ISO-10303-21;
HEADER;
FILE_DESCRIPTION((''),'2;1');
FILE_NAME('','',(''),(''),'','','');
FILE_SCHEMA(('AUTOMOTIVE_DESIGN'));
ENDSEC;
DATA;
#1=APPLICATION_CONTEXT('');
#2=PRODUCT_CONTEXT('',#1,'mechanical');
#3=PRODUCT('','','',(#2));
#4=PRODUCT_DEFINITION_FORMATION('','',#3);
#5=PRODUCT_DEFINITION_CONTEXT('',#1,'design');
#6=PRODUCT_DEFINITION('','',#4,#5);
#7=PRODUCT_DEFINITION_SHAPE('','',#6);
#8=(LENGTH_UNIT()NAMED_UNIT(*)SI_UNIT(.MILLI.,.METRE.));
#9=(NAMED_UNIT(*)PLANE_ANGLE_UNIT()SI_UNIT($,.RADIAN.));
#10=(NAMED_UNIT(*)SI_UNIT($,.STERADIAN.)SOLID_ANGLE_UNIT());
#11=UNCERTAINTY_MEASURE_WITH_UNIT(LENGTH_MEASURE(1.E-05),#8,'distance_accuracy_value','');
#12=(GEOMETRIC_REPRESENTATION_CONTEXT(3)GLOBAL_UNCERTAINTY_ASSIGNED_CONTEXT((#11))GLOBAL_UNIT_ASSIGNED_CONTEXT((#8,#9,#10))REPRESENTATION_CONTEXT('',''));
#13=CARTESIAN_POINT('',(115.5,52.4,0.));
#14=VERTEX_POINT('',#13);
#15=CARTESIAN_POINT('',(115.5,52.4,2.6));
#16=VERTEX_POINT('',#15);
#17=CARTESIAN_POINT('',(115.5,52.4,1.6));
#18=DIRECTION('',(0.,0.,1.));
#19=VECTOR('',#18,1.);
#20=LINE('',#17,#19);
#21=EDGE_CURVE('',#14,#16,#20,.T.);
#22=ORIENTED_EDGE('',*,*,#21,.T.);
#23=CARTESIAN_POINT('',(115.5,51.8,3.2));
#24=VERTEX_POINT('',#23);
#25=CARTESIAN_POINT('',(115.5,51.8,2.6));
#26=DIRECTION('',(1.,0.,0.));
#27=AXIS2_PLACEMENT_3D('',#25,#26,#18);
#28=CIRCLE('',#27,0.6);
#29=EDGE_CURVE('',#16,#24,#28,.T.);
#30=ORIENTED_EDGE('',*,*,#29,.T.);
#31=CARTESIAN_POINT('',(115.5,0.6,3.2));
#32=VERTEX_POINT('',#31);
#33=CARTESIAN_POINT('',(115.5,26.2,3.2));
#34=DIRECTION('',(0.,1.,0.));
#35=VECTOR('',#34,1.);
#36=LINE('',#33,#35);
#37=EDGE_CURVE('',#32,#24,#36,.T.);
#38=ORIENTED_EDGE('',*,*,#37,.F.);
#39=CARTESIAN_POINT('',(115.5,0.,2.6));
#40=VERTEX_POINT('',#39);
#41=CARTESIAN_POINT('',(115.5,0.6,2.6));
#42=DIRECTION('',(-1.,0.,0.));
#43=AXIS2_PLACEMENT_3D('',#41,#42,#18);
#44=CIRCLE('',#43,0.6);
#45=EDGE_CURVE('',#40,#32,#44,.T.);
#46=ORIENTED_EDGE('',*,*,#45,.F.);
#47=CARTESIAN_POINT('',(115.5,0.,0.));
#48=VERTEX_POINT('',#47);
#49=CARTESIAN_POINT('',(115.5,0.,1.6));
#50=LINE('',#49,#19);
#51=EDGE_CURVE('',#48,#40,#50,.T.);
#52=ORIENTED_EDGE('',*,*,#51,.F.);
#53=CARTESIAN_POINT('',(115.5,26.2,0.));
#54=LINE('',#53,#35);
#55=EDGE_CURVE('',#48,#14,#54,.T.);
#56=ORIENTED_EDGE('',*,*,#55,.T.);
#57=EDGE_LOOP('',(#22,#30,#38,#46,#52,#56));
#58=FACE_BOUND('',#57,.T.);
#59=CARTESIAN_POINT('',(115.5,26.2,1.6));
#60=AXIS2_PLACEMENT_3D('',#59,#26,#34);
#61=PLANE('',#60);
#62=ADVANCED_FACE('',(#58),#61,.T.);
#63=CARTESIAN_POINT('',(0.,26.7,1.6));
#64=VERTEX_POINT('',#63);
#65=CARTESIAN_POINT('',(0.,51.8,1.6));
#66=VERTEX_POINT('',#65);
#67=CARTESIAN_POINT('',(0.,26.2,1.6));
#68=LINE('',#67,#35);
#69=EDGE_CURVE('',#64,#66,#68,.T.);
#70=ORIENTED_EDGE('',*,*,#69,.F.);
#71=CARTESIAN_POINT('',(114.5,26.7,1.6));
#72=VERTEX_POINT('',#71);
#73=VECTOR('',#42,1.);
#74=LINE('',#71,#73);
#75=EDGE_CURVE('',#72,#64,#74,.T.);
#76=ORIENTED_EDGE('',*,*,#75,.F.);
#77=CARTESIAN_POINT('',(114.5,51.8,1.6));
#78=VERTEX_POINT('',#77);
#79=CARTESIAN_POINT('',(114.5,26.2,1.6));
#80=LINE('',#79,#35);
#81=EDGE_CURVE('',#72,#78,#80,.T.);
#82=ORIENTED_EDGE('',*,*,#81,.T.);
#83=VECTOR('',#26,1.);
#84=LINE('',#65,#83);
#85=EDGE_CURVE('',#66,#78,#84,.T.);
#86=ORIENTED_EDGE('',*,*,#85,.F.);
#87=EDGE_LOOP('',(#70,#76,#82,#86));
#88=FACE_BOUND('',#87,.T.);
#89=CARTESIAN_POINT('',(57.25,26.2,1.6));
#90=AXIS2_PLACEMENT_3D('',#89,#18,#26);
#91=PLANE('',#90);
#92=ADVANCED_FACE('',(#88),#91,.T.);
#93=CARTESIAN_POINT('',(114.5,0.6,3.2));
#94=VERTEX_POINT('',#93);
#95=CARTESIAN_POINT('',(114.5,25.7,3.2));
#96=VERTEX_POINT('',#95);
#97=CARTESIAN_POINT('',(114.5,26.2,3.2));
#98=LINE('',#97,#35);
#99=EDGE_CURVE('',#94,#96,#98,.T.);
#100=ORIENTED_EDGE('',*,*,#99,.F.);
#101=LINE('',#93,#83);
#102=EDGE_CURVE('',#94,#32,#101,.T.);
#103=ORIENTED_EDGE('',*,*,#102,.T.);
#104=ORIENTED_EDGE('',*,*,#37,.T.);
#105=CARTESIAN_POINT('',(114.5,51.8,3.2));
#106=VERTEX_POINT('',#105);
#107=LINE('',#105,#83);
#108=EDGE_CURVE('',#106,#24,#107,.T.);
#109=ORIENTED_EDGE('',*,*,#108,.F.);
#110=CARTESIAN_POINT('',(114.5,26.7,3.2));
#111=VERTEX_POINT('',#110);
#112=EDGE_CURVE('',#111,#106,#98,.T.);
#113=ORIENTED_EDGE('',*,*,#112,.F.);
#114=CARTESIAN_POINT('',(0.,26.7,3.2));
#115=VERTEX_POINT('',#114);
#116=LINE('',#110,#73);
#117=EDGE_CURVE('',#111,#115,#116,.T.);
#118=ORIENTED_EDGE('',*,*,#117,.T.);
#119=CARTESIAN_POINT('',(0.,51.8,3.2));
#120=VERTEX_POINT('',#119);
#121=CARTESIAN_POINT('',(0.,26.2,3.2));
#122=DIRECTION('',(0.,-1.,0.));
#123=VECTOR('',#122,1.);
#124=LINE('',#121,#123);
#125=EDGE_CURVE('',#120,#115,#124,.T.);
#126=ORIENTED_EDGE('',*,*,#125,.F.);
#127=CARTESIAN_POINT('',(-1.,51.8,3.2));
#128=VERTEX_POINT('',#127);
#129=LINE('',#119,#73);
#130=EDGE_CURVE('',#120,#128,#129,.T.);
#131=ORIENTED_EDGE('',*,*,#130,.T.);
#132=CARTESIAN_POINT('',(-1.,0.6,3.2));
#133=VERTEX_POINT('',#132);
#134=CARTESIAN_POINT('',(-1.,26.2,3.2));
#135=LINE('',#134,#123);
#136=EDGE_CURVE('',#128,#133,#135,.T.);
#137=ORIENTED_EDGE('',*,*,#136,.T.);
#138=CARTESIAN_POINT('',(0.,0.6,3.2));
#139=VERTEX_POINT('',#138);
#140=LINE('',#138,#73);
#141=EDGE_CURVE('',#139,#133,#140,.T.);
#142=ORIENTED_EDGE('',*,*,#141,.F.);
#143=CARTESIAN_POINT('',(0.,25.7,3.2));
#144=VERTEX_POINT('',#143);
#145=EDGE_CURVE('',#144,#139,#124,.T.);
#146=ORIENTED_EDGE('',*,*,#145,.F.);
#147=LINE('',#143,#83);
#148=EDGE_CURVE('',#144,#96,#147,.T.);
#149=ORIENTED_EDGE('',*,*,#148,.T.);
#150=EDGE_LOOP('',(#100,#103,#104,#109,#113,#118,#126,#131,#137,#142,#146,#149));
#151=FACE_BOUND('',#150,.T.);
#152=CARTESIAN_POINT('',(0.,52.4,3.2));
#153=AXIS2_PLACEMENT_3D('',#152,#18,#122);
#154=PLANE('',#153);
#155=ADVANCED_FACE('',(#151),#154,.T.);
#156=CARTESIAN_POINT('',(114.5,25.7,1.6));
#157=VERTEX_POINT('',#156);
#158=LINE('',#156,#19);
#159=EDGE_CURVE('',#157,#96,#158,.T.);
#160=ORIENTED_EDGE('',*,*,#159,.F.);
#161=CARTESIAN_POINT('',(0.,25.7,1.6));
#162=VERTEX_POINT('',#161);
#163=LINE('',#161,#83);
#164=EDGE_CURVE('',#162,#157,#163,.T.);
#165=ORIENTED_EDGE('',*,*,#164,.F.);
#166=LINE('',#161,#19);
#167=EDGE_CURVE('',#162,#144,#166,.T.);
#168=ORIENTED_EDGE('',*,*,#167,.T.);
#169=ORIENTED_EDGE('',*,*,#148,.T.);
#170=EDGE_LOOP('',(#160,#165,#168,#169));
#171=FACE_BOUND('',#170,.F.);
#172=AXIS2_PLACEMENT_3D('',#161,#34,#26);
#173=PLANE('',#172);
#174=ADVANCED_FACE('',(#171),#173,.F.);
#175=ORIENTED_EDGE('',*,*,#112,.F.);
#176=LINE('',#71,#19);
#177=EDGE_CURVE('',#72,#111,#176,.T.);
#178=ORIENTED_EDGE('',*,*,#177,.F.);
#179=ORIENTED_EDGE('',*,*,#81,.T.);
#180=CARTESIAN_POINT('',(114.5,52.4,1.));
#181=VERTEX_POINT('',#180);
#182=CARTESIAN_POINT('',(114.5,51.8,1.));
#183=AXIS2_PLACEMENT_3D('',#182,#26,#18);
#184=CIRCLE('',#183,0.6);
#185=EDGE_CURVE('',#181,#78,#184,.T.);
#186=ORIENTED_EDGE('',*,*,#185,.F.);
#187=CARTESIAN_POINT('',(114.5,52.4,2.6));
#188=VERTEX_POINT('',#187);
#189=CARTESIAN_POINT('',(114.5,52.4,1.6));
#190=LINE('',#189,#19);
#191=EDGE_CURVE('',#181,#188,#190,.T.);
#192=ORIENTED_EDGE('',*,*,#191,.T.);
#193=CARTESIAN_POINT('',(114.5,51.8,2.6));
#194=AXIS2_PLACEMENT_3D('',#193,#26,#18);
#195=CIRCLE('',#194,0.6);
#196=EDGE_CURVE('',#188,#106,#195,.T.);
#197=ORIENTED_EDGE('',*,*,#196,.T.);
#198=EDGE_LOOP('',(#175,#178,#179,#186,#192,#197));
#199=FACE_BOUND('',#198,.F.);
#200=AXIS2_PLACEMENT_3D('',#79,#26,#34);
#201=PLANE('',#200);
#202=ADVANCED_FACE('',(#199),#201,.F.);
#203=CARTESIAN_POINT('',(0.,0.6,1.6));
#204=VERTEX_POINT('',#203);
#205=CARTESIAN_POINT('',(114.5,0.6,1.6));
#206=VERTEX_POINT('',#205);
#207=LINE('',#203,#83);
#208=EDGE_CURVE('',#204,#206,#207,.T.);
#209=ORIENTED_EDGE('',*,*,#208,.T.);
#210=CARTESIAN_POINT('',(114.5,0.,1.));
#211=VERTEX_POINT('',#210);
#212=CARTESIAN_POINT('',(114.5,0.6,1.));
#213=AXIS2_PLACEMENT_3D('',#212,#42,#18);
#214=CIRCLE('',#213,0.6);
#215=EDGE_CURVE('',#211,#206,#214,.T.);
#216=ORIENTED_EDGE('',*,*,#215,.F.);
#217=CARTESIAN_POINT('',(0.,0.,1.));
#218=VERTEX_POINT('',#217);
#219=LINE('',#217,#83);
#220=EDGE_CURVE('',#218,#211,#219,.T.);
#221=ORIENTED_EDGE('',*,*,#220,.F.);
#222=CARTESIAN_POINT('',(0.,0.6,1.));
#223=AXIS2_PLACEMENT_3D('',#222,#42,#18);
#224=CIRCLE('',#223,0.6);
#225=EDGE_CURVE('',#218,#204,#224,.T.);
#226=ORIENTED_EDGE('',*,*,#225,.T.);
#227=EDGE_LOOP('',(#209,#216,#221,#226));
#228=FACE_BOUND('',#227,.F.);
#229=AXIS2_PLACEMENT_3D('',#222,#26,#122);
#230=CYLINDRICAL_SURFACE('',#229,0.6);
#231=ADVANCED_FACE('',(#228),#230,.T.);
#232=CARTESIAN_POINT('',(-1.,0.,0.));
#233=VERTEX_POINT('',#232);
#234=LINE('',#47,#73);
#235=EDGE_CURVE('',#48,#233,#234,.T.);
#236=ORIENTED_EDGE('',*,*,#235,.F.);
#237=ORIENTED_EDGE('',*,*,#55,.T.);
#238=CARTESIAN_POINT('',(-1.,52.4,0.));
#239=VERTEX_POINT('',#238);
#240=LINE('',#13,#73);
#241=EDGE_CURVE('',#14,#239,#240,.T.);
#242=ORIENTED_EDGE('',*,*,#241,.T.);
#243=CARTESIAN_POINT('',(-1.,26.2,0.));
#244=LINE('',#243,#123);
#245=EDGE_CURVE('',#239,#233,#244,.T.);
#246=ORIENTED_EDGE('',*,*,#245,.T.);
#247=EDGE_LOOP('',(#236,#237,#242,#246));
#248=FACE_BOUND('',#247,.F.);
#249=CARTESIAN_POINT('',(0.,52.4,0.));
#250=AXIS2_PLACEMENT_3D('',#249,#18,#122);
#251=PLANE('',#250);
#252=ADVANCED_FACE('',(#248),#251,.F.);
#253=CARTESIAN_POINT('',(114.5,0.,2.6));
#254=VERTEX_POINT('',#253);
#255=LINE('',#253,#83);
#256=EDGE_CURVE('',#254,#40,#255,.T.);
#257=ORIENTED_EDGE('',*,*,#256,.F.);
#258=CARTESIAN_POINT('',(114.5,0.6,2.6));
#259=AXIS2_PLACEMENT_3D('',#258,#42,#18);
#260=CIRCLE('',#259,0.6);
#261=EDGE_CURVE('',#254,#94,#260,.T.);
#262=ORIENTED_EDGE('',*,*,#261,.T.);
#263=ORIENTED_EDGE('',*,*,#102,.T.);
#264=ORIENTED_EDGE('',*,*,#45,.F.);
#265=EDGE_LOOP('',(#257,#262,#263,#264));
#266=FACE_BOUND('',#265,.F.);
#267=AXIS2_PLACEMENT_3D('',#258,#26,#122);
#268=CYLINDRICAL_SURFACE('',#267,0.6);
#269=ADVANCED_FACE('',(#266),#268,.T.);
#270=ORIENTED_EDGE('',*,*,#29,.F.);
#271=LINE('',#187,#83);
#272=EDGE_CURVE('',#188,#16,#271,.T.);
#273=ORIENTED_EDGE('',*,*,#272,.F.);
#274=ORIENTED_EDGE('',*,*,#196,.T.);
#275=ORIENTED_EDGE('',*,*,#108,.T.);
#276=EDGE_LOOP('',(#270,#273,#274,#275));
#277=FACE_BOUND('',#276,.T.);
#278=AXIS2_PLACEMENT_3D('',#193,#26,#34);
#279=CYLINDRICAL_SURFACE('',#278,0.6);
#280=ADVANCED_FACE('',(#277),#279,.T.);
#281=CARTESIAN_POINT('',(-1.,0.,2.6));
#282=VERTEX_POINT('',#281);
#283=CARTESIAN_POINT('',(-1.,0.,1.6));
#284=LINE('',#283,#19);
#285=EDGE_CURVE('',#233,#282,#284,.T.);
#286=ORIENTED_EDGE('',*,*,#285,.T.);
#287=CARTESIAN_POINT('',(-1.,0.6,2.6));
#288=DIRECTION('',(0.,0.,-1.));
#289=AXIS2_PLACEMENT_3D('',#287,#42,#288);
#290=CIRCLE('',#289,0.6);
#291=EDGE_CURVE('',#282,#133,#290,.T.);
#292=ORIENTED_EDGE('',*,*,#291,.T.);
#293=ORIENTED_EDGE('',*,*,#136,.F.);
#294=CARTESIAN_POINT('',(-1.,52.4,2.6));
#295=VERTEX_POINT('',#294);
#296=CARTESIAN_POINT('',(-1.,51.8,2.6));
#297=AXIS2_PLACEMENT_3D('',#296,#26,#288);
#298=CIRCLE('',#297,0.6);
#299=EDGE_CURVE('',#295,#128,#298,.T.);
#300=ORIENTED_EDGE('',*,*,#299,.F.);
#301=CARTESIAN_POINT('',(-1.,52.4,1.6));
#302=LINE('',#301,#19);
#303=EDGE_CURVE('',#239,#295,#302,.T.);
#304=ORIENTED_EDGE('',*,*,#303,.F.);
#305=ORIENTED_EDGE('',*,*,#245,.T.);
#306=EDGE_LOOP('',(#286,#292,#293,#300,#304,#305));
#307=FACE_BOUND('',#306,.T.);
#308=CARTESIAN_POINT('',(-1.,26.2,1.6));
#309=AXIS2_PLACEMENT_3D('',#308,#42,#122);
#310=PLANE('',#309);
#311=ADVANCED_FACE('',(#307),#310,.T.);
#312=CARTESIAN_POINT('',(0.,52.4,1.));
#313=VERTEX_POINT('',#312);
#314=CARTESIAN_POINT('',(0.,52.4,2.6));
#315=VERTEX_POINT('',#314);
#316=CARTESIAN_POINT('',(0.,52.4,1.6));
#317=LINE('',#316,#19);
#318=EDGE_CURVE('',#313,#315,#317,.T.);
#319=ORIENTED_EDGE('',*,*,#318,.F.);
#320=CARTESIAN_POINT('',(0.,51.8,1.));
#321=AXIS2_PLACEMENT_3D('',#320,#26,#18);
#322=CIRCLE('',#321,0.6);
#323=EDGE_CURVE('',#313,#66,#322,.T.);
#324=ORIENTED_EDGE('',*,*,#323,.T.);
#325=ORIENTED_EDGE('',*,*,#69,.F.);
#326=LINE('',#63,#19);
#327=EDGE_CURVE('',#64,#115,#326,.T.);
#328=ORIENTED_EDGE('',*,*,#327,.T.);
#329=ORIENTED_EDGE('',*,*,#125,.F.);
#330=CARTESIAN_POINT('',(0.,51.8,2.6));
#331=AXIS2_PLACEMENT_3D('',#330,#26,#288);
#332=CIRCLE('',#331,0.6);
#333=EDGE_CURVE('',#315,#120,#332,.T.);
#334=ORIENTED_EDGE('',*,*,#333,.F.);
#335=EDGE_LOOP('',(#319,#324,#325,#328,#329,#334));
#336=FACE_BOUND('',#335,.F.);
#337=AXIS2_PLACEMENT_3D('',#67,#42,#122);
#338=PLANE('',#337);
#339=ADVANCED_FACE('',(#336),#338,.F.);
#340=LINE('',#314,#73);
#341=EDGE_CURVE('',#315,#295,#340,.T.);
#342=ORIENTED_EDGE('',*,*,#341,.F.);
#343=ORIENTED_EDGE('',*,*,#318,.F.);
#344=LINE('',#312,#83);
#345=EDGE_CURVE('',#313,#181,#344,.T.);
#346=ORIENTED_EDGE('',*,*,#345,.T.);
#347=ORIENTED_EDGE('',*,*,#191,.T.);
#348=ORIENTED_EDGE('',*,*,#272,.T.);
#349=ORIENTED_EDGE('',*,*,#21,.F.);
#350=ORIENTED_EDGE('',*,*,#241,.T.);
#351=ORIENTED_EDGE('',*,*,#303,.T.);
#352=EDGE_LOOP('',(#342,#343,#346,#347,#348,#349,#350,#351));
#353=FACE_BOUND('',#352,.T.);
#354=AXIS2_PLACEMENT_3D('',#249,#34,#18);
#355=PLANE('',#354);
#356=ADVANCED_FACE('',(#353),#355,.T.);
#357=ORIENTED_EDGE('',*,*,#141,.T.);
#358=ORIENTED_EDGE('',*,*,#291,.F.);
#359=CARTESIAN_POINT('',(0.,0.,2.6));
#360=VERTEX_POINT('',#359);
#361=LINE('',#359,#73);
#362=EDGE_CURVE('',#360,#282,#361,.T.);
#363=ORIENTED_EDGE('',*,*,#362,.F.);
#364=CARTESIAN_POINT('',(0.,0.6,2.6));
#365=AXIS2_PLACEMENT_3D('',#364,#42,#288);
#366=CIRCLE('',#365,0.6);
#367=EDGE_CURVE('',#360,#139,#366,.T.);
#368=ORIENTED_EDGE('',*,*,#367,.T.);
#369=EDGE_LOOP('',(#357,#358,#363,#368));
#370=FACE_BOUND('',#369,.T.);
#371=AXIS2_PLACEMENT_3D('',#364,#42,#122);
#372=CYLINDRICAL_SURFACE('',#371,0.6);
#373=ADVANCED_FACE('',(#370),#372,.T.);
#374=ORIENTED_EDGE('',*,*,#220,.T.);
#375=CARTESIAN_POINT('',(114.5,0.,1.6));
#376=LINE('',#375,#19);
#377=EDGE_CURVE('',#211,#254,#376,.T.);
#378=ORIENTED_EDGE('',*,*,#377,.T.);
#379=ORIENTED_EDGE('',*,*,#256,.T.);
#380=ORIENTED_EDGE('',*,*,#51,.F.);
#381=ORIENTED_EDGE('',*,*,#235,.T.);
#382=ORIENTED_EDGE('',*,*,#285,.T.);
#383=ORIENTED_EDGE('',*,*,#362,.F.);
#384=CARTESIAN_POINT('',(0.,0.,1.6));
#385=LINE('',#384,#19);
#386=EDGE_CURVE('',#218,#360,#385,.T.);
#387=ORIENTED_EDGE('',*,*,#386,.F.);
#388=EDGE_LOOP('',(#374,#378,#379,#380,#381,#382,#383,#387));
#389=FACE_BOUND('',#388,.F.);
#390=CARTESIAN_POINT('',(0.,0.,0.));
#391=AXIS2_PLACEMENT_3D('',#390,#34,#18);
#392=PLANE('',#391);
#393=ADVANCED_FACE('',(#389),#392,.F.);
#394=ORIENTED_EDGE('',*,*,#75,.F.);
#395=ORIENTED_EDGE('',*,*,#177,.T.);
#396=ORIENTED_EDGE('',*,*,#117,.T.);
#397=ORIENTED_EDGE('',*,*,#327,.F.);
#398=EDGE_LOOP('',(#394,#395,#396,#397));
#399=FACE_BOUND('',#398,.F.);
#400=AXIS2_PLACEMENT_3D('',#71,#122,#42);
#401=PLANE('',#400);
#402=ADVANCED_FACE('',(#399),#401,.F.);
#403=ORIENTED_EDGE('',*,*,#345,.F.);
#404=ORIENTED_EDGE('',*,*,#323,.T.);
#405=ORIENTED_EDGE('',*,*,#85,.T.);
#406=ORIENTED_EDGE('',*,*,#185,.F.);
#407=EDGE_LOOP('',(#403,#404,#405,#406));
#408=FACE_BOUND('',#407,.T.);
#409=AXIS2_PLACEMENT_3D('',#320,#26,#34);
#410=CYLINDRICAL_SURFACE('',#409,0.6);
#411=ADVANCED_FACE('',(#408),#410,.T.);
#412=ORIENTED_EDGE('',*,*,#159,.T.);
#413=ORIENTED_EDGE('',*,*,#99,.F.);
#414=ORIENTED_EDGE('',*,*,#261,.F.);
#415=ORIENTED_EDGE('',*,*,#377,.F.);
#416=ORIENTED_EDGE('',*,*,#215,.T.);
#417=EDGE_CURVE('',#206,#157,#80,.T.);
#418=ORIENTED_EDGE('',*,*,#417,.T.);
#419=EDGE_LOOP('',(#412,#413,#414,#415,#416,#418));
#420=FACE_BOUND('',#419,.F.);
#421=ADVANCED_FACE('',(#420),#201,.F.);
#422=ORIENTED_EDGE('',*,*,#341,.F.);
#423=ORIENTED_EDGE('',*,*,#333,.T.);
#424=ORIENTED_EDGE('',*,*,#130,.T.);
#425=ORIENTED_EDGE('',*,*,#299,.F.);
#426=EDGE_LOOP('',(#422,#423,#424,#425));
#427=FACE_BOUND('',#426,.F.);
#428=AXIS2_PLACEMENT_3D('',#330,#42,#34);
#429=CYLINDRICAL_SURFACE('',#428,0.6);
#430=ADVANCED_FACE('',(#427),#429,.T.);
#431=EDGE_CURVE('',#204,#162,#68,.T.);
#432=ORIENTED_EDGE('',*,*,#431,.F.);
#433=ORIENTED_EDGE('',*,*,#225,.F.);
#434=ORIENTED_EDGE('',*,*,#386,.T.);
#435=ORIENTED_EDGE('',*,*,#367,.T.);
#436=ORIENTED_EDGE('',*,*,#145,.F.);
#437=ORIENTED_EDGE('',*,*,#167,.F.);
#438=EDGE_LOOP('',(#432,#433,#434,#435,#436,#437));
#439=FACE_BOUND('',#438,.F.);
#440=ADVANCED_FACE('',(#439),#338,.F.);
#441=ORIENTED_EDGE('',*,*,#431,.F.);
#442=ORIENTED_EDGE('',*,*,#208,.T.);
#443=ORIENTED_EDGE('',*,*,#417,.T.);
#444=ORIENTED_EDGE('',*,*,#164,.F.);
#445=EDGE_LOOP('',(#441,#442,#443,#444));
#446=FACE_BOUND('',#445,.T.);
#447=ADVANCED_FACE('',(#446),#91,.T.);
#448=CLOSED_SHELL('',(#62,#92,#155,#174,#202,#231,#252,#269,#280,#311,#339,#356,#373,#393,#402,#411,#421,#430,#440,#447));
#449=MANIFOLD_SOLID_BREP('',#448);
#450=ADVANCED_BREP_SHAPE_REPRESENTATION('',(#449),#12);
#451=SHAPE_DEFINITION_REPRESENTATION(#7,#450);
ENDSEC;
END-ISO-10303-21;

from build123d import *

# Parameters (mm, degrees)
F0_W      = 114.5
F0_H      = 52.4
F1_DEPTH  = 1.6
F2_R      = 0.6
F3_W      = 52.4
F3_H      = 3.2
F4_DEPTH  = 1
F5_R      = 0.6
F6_W      = 52.4
F6_H      = 3.2
F7_DEPTH  = 1
F8_R      = 0.6
F10_DEPTH = 1.6


with BuildPart() as f1:
    # F0 (on Top) → F1 (new body)
    with BuildSketch(Plane.XY):
        with Locations((57.25, 26.2)):
            Rectangle(F0_W, F0_H)
    extrude(amount=F1_DEPTH)

    # F2
    f2_edges = [f1.edges().sort_by_distance(p)[0] for p in [
        (57.25, 0, 1.6),
        (57.25, 52.4, 1.6),
    ]]
    fillet(f2_edges, radius=F2_R)

    # F3 (on face) → F4 (join)
    with BuildSketch(Plane.YZ.offset(114.5)):
        with Locations((26.2, 1.6)):
            Rectangle(F3_W, F3_H)
    extrude(amount=F4_DEPTH)

    # F5
    f5_edges = [f1.edges().sort_by_distance(p)[0] for p in [
        (115, 52.4, 3.2),
        (115, 0, 3.2),
    ]]
    fillet(f5_edges, radius=F5_R)

    # F6 (on face) → F7 (join)
    with BuildSketch(Plane(origin=(0, 0, 0), x_dir=(0, -1, 0), z_dir=(-1, 0, 0))):
        with Locations((-26.2, 1.6)):
            Rectangle(F6_W, F6_H)
    extrude(amount=F7_DEPTH)

    # F8
    f8_edges = [f1.edges().sort_by_distance(p)[0] for p in [
        (-0.5, 0, 3.2),
        (-0.5, 52.4, 3.2),
    ]]
    fillet(f8_edges, radius=F8_R)

    # F9 (on face) → F10 (join, through all)
    with BuildSketch(Plane.XY.offset(1.6)):
        Polygon((0, 26.7), (0, 25.7), (114.5, 25.7), (114.5, 26.2), (114.5, 26.7), align=None)
    extrude(amount=F10_DEPTH)


solid = f1.part
